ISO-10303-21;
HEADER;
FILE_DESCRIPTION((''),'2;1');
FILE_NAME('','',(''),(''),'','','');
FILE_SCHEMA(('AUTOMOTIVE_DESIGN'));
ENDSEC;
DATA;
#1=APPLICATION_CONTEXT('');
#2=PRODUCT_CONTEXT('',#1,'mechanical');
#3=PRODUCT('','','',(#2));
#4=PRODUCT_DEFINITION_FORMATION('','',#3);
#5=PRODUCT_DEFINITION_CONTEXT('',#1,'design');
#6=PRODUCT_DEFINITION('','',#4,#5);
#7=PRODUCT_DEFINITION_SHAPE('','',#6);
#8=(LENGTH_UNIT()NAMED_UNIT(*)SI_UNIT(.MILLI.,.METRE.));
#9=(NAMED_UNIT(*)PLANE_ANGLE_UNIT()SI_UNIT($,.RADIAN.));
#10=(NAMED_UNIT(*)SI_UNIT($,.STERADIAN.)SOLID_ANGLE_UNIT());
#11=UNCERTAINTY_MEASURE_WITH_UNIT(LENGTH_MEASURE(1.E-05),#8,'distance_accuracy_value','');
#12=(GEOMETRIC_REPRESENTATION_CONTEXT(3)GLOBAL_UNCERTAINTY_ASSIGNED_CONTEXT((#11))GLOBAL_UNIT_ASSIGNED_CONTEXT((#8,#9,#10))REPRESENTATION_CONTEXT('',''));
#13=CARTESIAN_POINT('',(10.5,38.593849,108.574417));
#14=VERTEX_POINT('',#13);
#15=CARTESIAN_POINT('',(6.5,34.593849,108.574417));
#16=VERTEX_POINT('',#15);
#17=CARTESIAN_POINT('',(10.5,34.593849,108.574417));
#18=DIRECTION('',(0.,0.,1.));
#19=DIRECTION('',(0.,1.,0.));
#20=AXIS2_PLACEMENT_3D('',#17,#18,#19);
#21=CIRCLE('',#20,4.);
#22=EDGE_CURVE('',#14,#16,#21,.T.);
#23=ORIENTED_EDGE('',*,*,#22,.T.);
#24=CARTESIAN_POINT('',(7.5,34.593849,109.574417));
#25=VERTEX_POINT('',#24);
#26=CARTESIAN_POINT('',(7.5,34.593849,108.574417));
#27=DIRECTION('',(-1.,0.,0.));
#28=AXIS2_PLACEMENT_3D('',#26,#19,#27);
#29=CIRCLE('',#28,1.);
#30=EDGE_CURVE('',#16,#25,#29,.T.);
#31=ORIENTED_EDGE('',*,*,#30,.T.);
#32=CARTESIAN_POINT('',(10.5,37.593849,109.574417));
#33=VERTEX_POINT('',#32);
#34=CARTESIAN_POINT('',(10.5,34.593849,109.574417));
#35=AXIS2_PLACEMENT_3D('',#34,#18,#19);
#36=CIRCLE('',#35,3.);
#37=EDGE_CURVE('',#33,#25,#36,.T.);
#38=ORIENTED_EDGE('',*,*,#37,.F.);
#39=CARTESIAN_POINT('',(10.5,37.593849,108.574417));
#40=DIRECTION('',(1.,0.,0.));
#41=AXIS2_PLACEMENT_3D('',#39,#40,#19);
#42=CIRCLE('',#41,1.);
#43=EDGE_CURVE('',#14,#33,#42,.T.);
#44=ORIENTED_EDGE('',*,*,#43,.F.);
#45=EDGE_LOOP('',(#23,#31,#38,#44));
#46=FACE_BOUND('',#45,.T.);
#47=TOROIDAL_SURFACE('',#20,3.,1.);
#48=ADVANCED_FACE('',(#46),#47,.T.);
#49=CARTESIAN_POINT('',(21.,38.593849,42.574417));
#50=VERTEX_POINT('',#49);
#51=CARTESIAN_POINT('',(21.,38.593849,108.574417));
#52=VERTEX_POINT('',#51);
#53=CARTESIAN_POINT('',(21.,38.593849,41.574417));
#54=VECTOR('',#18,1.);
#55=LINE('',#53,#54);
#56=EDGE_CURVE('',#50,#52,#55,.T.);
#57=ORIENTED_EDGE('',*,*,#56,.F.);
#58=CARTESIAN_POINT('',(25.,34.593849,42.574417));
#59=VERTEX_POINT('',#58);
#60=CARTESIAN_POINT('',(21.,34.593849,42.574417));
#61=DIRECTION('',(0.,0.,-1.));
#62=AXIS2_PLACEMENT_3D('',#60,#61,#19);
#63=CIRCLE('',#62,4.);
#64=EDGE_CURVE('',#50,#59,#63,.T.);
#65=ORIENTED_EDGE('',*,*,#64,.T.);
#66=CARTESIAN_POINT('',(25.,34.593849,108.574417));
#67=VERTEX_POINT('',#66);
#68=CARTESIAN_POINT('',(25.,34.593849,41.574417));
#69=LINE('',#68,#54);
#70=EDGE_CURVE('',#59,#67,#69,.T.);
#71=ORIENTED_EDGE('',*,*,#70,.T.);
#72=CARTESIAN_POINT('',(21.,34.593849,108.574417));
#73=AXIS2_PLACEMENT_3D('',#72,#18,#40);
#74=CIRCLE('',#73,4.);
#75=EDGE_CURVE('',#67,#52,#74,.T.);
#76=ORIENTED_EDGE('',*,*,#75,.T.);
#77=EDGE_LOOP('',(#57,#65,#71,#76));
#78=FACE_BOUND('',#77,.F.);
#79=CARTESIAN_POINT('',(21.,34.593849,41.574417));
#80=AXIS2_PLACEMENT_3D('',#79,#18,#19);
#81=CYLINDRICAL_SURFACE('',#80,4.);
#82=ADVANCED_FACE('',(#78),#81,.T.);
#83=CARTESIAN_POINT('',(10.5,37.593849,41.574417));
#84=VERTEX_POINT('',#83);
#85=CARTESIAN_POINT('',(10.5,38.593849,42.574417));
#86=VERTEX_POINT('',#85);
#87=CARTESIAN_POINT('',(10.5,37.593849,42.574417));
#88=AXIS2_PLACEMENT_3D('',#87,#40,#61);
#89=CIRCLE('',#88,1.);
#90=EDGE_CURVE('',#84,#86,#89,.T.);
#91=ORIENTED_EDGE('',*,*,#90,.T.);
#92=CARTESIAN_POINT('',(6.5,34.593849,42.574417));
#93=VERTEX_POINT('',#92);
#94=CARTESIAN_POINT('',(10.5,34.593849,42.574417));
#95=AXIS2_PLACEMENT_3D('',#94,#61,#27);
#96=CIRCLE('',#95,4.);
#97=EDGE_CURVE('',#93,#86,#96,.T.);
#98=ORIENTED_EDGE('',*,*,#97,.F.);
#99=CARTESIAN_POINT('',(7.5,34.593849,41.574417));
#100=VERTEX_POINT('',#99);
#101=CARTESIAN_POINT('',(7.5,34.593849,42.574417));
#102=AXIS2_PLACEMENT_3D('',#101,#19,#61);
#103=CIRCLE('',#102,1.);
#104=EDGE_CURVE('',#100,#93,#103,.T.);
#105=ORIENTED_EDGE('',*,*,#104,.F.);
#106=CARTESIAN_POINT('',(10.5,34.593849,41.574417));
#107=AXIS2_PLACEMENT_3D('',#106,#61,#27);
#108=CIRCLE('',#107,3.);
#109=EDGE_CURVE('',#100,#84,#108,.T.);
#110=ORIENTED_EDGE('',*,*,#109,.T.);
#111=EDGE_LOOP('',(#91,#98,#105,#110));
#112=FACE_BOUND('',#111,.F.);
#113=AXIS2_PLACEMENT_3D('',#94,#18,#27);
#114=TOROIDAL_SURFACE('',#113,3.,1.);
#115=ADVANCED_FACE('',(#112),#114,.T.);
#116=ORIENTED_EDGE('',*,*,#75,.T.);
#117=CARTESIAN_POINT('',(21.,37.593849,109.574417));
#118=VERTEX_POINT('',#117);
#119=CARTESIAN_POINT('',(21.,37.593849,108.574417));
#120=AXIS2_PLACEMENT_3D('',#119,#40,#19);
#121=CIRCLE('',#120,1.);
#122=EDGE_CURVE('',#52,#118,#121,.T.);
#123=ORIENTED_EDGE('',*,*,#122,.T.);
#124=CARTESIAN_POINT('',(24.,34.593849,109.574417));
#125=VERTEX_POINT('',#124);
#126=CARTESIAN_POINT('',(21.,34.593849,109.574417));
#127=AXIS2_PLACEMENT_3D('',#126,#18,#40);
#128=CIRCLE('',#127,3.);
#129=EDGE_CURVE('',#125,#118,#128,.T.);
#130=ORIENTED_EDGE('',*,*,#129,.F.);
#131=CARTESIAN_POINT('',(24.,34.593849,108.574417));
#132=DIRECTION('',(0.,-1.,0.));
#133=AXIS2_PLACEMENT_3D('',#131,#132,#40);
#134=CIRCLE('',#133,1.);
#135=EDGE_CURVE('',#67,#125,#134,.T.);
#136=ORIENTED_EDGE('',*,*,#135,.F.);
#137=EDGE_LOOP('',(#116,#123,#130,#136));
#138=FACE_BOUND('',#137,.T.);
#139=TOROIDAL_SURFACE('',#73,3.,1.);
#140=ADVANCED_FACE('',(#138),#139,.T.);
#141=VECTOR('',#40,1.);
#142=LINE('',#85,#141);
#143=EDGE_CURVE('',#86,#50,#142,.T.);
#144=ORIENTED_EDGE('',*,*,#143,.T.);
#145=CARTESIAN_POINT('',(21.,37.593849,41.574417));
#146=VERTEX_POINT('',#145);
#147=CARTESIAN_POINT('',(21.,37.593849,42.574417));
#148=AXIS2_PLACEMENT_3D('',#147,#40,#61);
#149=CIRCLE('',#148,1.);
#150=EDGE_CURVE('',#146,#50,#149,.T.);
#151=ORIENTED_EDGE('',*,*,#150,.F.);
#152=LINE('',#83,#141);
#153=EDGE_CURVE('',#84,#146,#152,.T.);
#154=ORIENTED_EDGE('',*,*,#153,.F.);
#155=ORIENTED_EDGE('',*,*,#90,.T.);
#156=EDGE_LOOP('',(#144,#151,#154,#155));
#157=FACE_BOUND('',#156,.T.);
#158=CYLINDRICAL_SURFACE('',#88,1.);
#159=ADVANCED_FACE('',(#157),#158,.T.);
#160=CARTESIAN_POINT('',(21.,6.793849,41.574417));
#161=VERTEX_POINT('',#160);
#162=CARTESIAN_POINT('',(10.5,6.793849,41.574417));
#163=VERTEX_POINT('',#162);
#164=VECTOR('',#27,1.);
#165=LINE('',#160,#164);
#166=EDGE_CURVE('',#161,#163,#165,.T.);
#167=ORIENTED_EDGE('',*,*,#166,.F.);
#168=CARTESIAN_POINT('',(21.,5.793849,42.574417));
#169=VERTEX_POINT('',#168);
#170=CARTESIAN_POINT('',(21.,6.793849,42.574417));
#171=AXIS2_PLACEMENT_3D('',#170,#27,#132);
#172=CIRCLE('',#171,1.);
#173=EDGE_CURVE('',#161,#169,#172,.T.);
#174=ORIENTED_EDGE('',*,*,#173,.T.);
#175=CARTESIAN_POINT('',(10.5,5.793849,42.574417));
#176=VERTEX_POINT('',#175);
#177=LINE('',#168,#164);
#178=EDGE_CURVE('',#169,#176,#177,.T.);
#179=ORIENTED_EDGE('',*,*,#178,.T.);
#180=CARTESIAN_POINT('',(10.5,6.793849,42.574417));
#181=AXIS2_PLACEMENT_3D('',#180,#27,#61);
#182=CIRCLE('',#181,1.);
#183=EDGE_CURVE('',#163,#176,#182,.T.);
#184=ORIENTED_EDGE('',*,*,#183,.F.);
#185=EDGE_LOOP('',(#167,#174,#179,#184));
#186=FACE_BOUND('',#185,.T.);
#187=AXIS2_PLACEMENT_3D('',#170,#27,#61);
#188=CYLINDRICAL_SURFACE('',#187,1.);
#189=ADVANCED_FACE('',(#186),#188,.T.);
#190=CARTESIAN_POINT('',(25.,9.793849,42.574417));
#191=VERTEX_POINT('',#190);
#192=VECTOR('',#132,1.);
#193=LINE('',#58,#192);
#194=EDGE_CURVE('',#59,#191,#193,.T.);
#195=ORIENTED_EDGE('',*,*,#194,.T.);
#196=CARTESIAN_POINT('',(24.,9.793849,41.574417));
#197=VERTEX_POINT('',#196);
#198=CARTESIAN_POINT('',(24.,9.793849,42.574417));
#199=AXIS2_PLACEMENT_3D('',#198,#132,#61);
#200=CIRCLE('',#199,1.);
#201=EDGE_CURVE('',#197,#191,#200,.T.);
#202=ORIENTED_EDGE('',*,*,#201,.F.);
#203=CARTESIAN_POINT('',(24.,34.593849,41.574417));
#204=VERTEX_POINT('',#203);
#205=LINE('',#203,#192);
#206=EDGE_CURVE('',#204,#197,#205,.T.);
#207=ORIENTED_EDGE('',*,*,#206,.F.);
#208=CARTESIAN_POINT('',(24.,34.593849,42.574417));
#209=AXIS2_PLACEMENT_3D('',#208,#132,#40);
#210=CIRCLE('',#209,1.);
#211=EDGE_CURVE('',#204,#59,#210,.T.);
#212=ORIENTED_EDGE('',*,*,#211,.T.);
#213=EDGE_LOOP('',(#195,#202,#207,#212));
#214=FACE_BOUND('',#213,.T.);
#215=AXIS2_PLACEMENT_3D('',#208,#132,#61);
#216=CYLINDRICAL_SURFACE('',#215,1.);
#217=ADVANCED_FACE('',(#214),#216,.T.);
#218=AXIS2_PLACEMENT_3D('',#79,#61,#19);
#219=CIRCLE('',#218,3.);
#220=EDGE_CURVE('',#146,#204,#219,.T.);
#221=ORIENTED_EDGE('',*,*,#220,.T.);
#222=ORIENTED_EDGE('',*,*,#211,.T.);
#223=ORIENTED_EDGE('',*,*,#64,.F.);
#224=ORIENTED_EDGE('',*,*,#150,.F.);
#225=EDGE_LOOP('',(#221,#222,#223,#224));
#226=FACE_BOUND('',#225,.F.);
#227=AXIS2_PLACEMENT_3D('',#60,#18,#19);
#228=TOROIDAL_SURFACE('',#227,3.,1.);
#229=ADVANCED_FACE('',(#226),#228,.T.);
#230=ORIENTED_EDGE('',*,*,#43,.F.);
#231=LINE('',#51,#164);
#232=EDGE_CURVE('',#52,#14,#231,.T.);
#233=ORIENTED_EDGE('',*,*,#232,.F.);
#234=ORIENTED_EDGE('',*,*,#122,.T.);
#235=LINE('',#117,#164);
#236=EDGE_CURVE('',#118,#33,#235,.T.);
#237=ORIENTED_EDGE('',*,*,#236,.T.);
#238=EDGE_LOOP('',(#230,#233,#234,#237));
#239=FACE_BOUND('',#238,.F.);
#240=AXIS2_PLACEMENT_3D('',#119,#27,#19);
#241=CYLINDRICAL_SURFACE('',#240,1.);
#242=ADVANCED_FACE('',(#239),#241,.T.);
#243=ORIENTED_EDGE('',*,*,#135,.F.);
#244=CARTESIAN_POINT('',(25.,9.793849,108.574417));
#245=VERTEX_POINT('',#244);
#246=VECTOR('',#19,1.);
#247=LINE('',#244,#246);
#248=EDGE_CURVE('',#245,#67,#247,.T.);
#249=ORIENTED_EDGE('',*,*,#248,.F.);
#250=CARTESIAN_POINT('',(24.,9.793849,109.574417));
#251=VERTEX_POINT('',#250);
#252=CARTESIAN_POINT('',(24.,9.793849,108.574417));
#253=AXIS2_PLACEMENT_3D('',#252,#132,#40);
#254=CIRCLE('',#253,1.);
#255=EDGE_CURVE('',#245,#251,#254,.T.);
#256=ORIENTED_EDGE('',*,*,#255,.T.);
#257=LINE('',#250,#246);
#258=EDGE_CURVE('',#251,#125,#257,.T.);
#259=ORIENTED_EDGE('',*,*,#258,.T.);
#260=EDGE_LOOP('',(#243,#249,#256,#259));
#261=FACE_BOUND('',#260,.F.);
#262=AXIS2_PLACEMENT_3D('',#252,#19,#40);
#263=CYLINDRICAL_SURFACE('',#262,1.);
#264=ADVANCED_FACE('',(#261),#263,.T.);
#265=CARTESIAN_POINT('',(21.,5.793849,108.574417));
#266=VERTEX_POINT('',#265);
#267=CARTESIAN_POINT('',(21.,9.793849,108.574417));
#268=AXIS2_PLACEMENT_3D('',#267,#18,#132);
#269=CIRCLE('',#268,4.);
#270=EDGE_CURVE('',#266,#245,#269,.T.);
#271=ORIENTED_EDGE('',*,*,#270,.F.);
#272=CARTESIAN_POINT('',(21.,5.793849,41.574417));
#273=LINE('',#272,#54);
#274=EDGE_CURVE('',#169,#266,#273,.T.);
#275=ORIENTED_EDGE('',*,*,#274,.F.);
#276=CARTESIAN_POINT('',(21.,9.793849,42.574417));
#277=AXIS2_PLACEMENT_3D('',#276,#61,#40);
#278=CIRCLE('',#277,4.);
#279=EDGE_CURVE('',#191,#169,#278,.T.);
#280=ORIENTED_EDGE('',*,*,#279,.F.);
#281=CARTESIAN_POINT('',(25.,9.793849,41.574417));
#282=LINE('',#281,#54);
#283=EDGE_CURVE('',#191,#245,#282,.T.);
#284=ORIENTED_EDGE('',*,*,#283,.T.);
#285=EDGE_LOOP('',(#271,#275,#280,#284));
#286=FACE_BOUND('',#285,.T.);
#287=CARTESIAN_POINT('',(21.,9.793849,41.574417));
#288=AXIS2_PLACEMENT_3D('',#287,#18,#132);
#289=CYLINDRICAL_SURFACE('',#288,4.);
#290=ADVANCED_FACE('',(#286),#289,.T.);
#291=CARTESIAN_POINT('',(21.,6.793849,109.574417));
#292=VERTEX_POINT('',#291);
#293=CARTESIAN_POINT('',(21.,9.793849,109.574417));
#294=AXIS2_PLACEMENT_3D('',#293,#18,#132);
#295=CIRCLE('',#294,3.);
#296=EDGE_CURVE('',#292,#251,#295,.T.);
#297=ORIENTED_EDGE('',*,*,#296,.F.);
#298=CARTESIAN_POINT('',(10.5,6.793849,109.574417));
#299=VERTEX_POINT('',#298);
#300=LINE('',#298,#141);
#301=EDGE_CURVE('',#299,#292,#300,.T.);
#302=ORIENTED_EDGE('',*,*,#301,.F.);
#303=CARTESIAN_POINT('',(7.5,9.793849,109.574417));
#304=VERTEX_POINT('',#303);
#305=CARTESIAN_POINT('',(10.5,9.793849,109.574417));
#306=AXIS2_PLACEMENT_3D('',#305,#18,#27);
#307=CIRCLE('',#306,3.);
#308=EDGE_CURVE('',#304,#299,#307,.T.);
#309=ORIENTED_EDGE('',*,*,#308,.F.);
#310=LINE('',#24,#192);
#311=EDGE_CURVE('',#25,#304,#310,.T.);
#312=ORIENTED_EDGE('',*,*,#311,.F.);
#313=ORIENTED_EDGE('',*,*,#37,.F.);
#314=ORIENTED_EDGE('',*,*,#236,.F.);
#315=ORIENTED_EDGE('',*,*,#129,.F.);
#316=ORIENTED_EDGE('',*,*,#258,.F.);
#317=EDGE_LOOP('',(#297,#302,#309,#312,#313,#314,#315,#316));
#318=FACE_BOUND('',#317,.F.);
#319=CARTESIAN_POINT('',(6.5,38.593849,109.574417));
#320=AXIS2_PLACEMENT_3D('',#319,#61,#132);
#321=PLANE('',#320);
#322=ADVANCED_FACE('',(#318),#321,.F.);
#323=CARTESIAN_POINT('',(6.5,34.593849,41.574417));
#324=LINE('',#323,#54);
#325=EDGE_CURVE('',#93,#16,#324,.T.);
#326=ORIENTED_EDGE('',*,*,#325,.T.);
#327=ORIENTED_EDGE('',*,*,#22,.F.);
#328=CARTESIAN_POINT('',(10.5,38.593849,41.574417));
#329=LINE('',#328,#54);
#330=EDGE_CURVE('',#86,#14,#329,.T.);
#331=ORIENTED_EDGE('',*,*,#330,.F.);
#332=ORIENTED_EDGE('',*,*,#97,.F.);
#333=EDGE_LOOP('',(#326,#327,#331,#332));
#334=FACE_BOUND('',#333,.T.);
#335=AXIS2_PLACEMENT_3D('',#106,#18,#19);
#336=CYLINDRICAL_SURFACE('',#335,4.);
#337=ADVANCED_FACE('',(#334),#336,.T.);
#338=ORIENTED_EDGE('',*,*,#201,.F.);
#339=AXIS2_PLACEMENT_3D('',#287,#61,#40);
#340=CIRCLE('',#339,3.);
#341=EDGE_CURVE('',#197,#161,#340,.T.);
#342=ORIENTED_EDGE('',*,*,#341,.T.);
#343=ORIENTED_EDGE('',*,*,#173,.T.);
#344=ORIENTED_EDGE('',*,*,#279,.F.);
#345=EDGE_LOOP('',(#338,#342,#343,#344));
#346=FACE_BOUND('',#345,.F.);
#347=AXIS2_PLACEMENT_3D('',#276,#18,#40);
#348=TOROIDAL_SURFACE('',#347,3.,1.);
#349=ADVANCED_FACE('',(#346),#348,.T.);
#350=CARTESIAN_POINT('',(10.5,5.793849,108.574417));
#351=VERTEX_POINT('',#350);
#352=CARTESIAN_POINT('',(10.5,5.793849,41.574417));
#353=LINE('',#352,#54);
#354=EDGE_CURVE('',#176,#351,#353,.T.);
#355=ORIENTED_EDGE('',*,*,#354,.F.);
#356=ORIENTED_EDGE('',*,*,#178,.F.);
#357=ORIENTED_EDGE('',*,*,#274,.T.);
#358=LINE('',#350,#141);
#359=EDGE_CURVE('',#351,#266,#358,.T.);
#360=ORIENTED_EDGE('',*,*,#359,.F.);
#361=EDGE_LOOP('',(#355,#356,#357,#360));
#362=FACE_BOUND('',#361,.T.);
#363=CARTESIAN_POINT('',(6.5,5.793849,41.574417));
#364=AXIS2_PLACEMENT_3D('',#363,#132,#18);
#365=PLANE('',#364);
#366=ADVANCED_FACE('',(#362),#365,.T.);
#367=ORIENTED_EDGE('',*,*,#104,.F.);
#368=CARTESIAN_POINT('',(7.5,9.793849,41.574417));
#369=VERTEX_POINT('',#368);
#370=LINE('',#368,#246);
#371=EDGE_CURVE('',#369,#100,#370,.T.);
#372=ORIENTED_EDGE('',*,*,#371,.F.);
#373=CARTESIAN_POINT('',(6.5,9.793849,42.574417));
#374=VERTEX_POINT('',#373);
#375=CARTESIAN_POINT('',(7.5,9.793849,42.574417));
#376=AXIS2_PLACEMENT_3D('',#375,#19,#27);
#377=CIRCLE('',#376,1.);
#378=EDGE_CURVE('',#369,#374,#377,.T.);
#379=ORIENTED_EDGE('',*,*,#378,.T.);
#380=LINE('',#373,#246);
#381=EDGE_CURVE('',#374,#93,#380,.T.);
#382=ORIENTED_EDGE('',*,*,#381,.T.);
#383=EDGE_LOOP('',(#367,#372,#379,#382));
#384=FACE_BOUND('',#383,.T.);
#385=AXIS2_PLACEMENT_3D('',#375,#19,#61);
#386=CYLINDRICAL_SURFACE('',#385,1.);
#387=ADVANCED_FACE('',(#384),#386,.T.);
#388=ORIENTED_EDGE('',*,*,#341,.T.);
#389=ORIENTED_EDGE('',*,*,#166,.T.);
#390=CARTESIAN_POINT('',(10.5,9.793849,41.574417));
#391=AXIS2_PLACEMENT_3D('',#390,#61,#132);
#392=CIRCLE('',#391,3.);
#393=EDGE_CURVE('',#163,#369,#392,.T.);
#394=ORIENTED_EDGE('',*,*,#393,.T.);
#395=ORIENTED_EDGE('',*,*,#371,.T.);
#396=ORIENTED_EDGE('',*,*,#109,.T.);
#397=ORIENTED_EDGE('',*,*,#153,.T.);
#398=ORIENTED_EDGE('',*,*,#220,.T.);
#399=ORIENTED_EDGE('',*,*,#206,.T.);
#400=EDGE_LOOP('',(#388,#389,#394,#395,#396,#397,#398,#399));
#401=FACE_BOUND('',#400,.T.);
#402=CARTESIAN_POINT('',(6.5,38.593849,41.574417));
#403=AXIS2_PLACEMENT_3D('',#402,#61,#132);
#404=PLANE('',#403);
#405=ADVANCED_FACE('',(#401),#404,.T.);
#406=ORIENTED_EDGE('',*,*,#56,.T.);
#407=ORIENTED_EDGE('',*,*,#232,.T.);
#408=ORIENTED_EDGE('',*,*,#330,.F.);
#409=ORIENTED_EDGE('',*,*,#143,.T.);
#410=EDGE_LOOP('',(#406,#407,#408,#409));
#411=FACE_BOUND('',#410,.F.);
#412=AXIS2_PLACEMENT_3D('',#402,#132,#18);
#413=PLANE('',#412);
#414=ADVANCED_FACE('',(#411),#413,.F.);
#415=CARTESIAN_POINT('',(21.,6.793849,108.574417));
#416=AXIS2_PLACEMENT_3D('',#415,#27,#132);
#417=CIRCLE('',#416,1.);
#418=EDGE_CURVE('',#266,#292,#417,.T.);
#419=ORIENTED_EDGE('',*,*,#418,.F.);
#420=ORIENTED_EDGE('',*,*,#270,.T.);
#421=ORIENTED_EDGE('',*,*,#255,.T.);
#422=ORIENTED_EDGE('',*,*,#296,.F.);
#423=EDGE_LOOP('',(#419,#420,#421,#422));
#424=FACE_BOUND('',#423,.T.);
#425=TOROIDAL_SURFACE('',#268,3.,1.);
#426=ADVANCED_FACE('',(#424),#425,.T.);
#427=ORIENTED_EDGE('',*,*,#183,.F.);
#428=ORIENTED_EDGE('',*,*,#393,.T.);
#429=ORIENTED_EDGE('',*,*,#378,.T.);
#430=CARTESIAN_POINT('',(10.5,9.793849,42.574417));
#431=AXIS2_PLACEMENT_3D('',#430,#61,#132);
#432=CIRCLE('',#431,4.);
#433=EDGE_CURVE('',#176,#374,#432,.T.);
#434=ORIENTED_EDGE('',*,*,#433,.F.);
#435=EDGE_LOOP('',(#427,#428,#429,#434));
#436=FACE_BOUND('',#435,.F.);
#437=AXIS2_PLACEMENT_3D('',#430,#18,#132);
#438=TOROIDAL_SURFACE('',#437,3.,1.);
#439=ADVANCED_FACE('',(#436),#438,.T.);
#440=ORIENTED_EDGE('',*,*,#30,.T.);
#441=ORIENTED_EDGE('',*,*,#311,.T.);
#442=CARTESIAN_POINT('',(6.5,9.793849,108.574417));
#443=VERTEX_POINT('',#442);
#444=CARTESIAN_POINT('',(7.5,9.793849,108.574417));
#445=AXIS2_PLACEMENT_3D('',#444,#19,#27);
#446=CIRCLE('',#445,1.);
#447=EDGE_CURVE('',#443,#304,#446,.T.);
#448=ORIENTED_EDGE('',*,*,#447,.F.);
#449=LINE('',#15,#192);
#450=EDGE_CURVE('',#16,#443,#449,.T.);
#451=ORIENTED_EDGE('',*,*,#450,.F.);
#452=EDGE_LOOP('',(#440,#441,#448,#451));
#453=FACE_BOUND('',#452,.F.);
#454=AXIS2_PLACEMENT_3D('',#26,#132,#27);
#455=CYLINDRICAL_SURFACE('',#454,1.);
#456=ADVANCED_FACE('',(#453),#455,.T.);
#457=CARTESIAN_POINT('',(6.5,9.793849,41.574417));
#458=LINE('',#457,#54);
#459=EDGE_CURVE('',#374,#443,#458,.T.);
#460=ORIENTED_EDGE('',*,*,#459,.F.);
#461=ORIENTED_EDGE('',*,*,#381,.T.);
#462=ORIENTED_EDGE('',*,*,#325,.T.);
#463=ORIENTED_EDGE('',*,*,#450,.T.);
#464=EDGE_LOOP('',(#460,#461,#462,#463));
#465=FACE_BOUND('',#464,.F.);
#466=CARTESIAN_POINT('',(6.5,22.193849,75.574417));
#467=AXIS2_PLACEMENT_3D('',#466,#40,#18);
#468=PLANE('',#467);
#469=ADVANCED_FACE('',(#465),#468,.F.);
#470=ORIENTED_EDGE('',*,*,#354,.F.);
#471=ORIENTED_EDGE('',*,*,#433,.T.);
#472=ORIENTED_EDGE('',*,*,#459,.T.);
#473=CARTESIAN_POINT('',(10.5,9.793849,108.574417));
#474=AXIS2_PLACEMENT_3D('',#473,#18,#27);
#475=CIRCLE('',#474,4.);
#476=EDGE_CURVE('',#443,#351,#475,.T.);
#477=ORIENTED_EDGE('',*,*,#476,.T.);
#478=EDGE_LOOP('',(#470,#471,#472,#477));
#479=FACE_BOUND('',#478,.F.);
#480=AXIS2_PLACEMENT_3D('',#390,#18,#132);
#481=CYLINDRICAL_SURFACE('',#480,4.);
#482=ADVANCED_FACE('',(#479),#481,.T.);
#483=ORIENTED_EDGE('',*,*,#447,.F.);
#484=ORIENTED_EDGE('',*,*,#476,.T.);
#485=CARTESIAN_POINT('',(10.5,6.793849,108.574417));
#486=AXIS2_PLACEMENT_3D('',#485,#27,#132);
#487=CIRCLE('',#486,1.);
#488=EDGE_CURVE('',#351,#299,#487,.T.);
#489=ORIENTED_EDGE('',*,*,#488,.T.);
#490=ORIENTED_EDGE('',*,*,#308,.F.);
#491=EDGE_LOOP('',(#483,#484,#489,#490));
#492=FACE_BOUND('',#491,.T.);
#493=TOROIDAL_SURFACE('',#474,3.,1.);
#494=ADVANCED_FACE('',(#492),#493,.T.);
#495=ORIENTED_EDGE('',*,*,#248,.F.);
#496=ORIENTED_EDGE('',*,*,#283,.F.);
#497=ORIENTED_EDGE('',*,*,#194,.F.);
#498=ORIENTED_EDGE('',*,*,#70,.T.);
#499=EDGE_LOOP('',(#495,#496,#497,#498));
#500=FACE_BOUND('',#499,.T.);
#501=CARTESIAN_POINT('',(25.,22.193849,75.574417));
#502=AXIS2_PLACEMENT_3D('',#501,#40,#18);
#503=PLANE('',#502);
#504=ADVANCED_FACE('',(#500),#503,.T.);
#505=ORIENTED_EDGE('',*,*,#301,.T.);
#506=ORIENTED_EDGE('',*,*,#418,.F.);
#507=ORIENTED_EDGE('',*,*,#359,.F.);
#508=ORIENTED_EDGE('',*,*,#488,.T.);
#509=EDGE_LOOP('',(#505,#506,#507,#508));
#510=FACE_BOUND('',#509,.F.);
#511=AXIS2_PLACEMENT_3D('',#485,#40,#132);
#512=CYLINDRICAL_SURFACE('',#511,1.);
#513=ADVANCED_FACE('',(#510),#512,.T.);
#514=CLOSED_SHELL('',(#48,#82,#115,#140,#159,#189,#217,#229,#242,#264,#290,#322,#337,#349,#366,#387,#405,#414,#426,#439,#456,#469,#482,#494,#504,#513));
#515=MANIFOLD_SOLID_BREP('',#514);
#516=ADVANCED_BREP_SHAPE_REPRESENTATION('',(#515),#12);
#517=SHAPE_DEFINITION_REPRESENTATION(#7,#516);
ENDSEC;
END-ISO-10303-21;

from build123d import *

# Parameters (mm, degrees)
SKETCH014_W  = 68
SKETCH014_H  = 32.8
PAD008_DEPTH = 18.5
FILLET002_R  = 4
FILLET003_R  = 1


with BuildPart() as part:
    # Sketch014 (on DatumPlane) → Pad008 (new body)
    with BuildSketch(Plane(origin=(6.5, 0, 0), x_dir=(0, 0, 1), z_dir=(1, 0, 0))):
        with Locations((75.574417, -22.193849)):
            Rectangle(SKETCH014_W, SKETCH014_H)
    extrude(amount=PAD008_DEPTH)

    # Fillet002
    fillet002_edges = [part.edges().sort_by_distance(p)[0] for p in [
        (25, 38.593849, 75.574417),
        (6.5, 38.593849, 75.574417),
        (6.5, 5.793849, 75.574417),
        (25, 5.793849, 75.574417),
    ]]
    fillet(fillet002_edges, radius=FILLET002_R)

    # Fillet003
    fillet003_edges = [part.edges().sort_by_distance(p)[0] for p in [
        (15.75, 5.793849, 109.574417),
        (7.671573, 6.965422, 109.574417),
        (23.828427, 6.965422, 109.574417),
        (6.5, 22.193849, 109.574417),
        (25, 22.193849, 109.574417),
        (7.671573, 37.422276, 109.574417),
        (23.828427, 37.422276, 109.574417),
        (15.75, 38.593849, 109.574417),
        (15.75, 38.593849, 41.574417),
        (7.671573, 37.422276, 41.574417),
        (23.828427, 37.422276, 41.574417),
        (6.5, 22.193849, 41.574417),
        (25, 22.193849, 41.574417),
        (7.671573, 6.965422, 41.574417),
        (23.828427, 6.965422, 41.574417),
        (15.75, 5.793849, 41.574417),
    ]]
    fillet(fillet003_edges, radius=FILLET003_R)


solid = part.part
